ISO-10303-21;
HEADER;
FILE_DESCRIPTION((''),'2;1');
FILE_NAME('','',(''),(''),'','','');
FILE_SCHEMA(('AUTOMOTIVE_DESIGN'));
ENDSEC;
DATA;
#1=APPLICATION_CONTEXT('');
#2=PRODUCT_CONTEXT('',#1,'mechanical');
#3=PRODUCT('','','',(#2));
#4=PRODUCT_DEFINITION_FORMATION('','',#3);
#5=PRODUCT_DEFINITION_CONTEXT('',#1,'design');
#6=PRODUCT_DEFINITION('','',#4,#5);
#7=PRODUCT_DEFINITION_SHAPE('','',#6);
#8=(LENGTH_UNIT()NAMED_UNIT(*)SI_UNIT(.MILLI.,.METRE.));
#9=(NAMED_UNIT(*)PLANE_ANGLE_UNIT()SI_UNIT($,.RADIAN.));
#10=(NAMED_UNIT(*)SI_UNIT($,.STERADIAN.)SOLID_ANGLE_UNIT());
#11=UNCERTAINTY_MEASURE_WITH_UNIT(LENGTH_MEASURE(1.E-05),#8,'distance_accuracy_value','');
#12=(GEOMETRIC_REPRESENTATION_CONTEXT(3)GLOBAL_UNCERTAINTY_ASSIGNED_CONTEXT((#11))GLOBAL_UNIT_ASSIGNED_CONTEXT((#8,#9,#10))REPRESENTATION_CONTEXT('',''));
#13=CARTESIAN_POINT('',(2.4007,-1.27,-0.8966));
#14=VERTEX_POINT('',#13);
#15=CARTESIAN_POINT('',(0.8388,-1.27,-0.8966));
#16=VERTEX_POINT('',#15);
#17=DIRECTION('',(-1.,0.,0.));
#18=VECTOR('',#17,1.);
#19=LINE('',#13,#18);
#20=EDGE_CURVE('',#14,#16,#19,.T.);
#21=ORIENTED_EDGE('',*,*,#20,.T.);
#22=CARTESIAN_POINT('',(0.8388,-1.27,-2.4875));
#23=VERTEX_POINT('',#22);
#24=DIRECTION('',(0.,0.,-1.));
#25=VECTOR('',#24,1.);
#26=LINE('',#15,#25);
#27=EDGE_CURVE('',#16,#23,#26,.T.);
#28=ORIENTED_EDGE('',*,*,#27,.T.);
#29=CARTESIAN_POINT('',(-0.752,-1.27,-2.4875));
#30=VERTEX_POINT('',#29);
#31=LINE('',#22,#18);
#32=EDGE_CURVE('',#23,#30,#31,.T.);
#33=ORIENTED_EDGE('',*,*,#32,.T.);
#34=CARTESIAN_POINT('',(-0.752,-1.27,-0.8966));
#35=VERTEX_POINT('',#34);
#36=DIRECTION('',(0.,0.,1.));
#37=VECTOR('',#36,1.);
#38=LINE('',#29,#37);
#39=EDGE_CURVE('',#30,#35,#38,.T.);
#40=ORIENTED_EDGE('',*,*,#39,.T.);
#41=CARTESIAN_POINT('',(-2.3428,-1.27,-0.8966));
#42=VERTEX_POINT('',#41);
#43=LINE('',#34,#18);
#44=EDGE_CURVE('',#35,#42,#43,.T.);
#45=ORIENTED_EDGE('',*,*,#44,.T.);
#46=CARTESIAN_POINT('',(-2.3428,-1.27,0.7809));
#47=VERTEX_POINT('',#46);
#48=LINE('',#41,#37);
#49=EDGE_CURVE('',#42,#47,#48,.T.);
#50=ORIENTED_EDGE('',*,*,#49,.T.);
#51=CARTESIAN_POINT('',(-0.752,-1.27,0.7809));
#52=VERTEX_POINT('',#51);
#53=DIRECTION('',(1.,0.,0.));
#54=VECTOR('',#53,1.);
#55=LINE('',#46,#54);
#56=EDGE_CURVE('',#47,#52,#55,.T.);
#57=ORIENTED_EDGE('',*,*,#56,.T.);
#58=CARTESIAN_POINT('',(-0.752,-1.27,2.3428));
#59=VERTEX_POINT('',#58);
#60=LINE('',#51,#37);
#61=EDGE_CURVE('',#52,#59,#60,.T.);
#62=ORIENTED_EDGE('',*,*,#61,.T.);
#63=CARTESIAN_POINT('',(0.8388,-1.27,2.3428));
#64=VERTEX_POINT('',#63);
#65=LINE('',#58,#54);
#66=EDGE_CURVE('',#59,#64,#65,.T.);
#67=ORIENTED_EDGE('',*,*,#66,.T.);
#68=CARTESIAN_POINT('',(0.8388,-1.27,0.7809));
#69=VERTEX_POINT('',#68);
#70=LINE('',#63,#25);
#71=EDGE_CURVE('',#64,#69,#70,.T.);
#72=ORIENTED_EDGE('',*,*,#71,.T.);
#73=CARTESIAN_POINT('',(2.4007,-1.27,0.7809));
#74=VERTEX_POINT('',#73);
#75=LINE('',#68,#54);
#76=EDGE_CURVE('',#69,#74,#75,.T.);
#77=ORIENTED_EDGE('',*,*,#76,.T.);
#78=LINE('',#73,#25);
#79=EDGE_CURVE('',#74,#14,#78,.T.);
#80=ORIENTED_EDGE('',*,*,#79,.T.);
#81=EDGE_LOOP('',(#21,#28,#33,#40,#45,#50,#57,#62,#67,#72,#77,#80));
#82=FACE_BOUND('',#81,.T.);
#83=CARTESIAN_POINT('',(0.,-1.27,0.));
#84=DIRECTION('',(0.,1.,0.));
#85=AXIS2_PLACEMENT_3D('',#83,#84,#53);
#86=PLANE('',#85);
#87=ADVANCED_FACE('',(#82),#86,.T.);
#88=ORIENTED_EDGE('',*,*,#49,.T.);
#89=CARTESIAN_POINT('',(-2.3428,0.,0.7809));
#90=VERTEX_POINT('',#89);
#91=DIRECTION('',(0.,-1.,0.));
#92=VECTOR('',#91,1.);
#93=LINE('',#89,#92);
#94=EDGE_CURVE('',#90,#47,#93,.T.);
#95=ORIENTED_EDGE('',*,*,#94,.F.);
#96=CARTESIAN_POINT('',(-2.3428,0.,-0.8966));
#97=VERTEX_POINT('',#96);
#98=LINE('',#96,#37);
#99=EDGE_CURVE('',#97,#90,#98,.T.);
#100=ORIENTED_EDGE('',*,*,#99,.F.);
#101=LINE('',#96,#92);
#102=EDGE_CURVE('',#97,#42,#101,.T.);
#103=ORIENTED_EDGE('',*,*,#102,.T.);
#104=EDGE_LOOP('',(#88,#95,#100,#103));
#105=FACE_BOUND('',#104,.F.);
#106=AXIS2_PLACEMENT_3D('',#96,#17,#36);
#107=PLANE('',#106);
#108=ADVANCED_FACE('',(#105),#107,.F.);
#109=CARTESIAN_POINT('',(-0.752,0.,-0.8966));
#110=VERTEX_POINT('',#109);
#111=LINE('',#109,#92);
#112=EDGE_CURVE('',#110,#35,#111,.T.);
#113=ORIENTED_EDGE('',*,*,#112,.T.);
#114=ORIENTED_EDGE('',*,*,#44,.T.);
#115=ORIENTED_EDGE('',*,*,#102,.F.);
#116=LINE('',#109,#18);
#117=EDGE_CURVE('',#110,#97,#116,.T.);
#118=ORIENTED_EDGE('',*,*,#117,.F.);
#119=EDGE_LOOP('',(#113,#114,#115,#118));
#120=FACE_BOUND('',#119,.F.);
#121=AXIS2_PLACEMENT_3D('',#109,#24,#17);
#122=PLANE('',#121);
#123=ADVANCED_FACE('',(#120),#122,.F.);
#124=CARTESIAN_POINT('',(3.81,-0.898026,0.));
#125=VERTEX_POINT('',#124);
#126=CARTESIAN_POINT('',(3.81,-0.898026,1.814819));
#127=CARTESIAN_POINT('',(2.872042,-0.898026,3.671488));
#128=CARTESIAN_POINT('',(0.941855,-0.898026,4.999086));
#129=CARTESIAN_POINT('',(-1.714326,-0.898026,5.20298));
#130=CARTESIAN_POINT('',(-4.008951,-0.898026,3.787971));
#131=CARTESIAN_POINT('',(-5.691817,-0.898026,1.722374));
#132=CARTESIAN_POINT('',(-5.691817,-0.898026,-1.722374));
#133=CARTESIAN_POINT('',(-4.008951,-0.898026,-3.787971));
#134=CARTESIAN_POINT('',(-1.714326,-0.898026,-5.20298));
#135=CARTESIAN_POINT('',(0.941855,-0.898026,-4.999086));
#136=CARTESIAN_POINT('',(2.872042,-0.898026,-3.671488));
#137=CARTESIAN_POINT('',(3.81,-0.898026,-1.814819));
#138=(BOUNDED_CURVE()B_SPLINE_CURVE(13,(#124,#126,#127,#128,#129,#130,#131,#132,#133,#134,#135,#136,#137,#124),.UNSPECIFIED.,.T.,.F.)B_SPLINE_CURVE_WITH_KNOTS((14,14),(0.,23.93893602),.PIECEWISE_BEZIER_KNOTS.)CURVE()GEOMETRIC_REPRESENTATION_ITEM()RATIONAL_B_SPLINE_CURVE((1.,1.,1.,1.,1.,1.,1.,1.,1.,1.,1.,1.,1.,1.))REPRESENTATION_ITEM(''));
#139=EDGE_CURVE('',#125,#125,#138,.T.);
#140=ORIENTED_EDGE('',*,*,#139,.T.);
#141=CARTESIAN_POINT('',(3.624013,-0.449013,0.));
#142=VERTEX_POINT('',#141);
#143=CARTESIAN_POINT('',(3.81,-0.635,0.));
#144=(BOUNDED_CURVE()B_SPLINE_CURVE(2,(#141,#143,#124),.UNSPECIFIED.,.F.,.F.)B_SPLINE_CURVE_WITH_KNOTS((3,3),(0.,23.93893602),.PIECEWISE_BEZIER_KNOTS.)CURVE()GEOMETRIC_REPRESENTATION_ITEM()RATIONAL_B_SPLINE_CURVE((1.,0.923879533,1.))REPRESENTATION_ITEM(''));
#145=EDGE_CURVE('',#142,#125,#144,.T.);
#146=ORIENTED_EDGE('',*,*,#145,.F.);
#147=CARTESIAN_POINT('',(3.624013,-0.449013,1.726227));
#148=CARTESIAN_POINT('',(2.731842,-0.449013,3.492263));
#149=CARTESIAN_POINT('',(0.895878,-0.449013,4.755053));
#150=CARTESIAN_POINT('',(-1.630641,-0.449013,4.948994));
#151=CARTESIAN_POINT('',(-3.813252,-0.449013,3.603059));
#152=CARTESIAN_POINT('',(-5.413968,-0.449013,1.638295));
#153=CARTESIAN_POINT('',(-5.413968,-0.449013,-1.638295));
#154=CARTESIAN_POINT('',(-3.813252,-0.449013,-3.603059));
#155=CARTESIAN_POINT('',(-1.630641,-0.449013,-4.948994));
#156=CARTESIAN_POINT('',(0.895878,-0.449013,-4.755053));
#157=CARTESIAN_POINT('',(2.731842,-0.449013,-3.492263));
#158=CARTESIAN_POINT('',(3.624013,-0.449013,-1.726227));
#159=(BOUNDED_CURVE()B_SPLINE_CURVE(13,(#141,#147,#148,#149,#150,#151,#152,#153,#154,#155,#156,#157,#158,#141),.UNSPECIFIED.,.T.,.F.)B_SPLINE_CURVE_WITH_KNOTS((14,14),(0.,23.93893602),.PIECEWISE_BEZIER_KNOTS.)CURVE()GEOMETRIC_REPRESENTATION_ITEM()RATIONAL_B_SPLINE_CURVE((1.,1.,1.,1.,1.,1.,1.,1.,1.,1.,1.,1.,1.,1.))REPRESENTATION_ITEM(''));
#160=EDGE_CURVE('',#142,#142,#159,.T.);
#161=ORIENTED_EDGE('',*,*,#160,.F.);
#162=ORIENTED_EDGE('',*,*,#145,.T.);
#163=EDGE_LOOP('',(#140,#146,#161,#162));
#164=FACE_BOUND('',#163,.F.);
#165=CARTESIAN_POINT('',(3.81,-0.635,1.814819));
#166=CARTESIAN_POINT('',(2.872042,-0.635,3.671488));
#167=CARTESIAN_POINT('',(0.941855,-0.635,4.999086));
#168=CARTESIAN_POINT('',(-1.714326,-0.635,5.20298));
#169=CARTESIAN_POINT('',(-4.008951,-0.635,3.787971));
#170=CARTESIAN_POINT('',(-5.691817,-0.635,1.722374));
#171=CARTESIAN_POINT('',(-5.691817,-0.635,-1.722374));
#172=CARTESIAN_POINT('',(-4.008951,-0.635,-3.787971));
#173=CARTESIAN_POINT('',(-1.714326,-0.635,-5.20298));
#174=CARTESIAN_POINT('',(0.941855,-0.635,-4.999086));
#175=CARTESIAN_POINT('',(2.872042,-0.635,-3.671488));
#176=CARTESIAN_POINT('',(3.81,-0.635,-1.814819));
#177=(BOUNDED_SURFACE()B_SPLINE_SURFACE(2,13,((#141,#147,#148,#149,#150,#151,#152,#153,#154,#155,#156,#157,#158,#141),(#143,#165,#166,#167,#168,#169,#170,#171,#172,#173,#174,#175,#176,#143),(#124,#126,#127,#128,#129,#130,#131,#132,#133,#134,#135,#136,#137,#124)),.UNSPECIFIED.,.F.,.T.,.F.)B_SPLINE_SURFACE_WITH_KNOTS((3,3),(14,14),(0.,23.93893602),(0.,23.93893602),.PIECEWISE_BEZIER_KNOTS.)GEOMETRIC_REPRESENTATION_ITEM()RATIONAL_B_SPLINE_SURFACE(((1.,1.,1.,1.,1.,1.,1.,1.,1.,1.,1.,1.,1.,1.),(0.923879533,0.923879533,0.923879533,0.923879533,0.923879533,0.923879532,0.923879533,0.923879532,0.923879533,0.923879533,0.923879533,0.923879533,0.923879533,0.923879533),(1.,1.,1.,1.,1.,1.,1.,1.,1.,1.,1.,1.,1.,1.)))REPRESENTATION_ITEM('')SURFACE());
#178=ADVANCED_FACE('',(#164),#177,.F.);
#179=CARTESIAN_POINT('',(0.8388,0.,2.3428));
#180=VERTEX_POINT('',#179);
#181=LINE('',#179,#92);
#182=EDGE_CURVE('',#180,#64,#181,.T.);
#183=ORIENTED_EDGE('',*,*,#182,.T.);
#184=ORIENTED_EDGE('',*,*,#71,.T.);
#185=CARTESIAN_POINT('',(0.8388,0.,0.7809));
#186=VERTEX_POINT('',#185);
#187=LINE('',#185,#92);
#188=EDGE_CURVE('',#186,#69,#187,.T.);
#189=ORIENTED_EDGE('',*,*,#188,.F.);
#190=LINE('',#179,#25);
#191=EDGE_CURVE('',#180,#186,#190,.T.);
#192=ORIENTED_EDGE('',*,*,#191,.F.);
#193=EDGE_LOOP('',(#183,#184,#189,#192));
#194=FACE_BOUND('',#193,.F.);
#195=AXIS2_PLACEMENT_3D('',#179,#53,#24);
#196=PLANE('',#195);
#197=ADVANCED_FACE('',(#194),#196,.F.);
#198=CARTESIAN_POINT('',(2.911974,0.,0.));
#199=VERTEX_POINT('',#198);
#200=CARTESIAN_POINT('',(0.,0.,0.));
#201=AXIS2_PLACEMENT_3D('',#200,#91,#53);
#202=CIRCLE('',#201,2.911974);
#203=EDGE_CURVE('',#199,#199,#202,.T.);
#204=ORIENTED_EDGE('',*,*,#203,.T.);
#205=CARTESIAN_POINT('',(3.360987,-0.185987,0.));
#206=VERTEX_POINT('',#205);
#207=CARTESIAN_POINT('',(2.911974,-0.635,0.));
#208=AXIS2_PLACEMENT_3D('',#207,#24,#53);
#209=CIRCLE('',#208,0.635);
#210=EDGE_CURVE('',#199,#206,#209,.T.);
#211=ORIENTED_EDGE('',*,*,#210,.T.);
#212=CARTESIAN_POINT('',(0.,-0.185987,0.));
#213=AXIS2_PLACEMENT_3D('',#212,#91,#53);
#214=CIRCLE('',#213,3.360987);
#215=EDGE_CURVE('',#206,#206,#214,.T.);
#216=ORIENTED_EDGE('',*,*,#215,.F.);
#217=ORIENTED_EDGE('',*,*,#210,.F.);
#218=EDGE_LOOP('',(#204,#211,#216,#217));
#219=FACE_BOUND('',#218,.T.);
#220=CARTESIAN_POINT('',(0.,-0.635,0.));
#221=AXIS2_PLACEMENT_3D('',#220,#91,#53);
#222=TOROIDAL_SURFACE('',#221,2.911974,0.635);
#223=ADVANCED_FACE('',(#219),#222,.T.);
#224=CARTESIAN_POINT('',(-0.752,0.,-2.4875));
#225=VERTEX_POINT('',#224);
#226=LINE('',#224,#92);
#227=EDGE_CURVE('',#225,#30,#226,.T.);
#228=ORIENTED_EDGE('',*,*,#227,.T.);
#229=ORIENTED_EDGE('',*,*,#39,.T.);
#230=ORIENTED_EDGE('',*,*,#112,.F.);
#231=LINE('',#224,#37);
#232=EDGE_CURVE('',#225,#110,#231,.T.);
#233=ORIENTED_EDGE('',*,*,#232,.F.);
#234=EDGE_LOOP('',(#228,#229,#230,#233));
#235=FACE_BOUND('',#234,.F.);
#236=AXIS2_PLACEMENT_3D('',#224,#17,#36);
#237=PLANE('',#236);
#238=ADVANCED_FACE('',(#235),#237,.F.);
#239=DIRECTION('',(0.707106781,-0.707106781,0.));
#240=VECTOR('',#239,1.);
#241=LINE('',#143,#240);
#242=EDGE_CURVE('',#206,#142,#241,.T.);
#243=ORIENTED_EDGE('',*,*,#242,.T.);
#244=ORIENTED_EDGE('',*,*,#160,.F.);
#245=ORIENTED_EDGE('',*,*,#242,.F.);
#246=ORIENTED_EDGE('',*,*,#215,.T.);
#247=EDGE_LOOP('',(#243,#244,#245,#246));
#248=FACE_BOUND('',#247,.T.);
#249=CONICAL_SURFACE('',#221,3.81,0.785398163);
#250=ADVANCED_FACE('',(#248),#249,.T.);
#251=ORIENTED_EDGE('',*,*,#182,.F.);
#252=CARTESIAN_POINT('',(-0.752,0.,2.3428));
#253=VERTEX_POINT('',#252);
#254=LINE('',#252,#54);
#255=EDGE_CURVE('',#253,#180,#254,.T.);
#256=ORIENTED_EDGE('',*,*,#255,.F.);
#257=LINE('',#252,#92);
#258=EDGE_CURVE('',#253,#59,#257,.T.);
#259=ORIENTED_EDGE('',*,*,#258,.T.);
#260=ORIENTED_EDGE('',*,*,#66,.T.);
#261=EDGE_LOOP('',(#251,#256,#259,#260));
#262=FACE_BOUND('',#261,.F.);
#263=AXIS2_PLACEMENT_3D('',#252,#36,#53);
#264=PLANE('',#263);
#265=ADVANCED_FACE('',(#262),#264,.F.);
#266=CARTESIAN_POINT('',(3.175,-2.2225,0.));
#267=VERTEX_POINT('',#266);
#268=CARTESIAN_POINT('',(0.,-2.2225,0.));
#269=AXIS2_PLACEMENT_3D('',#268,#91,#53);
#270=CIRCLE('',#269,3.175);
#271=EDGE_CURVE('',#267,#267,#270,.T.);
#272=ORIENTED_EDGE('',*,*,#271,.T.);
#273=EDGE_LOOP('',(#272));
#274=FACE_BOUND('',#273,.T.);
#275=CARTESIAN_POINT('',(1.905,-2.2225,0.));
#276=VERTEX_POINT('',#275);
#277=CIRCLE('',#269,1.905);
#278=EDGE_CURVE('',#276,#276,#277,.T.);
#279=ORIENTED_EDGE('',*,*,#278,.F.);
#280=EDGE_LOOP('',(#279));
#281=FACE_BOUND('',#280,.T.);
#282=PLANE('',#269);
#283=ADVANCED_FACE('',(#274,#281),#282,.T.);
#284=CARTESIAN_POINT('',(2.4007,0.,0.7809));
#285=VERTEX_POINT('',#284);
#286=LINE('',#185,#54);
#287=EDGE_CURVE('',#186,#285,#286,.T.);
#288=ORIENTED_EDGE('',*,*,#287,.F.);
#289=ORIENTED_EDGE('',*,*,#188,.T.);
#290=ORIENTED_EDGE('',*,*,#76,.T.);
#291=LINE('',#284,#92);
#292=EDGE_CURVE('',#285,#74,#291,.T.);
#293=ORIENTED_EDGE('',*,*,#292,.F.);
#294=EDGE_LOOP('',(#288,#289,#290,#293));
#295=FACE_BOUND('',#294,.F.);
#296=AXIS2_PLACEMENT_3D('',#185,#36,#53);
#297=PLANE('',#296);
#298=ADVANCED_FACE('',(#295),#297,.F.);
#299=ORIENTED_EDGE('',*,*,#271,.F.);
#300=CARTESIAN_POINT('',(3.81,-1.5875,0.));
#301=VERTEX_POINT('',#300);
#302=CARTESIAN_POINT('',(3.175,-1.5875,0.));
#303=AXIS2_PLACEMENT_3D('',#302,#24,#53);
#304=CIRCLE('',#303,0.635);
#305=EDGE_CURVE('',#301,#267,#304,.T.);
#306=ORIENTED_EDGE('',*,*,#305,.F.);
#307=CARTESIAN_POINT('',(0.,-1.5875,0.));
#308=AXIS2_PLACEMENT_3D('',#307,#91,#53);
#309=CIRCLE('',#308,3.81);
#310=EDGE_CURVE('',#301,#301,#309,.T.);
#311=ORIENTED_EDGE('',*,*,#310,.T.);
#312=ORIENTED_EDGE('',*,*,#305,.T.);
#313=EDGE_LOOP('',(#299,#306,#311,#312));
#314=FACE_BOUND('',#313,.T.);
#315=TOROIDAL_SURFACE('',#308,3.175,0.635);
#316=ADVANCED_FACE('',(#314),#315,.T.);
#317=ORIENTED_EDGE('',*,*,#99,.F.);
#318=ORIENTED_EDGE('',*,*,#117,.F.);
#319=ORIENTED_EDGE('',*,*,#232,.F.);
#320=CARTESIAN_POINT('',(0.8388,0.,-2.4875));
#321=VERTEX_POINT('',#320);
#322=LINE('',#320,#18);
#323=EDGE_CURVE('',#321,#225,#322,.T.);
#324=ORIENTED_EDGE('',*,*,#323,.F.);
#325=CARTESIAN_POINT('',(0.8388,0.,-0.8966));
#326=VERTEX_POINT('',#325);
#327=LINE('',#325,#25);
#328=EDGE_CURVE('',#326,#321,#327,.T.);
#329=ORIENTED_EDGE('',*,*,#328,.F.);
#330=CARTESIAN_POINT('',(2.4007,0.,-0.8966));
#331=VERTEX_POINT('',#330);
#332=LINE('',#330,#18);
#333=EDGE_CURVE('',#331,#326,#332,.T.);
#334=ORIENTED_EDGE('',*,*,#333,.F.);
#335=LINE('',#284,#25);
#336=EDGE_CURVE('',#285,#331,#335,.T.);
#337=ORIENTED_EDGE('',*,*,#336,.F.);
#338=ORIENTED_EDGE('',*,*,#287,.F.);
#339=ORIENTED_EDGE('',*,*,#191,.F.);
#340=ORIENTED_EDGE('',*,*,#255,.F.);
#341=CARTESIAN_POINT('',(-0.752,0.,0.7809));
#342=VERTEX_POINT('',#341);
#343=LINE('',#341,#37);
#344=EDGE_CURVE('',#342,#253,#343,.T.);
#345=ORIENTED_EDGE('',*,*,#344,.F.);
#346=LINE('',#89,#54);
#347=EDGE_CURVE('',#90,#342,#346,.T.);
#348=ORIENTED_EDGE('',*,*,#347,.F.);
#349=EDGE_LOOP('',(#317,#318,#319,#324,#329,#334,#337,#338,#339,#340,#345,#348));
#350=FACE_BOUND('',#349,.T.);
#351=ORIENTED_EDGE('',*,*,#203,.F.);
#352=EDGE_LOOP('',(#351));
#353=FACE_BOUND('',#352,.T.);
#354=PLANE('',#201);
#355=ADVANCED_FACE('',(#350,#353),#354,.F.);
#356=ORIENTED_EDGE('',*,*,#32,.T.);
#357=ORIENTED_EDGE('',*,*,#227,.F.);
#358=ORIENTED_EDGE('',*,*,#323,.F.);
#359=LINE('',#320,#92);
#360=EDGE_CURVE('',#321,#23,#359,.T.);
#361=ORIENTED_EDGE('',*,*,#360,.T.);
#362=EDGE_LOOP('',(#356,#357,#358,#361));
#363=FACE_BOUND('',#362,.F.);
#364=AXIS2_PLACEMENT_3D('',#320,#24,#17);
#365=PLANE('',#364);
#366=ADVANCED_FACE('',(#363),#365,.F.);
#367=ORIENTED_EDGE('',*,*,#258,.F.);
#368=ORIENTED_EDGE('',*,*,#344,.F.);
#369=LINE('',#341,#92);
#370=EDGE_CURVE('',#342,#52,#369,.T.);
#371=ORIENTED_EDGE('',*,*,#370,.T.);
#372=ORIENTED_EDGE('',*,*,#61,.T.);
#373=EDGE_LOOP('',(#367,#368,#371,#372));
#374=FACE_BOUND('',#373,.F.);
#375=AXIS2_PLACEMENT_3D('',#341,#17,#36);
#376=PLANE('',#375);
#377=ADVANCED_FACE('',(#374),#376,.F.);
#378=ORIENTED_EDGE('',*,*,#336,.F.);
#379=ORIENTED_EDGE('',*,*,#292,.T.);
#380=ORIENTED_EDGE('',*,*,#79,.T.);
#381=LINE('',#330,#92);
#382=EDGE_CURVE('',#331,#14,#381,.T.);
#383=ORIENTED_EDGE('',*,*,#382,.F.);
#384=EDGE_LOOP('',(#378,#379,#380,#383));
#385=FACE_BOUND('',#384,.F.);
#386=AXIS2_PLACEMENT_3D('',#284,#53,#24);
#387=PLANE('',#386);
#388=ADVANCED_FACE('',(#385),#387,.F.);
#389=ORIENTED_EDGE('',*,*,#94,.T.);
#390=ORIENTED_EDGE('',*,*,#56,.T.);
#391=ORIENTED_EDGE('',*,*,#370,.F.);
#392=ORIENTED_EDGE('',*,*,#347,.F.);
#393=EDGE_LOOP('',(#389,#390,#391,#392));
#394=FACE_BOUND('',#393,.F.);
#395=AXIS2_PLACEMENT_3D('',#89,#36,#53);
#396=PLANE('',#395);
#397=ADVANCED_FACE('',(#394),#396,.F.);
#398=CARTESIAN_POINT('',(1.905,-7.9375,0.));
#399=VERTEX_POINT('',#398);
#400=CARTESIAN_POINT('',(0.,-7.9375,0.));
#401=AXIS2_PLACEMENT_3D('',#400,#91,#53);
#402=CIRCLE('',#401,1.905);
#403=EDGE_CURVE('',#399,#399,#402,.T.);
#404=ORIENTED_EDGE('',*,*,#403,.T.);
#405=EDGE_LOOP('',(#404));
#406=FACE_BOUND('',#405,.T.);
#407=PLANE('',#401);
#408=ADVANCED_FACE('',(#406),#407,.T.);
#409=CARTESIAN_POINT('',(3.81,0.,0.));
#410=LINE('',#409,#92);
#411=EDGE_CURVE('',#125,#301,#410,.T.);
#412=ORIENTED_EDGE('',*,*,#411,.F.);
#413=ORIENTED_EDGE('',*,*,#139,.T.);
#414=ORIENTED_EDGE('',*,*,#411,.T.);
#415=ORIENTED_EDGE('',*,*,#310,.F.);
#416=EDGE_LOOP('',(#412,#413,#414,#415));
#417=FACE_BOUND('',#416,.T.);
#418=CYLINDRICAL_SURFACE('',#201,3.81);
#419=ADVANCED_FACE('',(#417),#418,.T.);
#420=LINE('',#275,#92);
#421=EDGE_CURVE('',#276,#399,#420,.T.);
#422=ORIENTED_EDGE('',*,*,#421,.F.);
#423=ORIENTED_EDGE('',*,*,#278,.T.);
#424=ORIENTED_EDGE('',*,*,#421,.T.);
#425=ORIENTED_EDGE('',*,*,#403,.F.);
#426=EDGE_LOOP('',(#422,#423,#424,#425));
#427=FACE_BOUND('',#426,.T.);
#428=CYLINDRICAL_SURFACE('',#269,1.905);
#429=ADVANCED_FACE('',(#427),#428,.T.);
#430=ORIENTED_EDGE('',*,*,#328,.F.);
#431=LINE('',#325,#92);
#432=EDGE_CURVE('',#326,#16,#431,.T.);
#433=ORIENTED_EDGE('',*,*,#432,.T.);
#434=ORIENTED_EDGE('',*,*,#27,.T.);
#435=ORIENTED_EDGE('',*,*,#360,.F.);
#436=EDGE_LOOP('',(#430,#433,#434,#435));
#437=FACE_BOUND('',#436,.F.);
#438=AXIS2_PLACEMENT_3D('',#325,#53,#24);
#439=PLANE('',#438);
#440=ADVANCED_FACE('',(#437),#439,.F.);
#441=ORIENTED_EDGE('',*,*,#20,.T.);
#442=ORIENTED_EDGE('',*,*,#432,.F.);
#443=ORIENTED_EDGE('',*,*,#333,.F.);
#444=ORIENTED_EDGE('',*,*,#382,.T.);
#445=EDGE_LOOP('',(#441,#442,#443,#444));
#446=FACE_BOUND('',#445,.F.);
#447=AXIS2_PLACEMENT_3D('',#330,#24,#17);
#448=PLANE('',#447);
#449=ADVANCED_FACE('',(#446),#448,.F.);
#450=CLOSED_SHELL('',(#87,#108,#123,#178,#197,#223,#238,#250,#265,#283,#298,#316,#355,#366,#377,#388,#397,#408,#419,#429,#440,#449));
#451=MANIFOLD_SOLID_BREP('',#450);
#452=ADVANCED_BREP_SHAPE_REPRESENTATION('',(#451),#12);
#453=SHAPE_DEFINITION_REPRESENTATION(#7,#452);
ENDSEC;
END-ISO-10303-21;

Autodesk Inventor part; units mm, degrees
ref_plane "YZ Plane" through (0, 0, 0) normal (1, 0, 0) x (0, 1, 0)
ref_plane "XZ Plane" through (0, 0, 0) normal (0, 1, 0) x (-1, 0, 0)
ref_plane "XY Plane" through (0, 0, 0) normal (0, 0, 1) x (1, 0, 0)
sketch "Sketch1" plane through (0, 0, 0) normal (0, 0, 1) x (1, 0, 0)
  line L0 (0, 0) -> (3.81, 0)
  line L1 (3.81, 0) -> (3.81, -2.2225)
  line L2 (3.81, -2.2225) -> (1.905, -2.2225)
  line L3 (1.905, -2.2225) -> (1.905, -7.9375)
  line L4 (1.905, -7.9375) -> (0, -7.9375)
  line L5 (0, -7.9375) -> (0, 0)
  line L6 (0, 0) -> (0, -14.1407)
  dimension "d0" = 3.81
  dimension "d1" = 2.2225
  dimension "d2" = 1.905
  dimension "d3" = 5.715
  dimension "d4" = 90
revolve "Revolution1" add sketch "Sketch1" angle 360 about axis through (0, 0, 0) along (0, -1, 0)
chamfer "Chamfer1" distance 0.635 angle 45 1 edges at (-3.81, 0, 0)
fillet "Fillet1" radius 0.635 3 edges at (-3.175, 0, 0) (-3.81, -0.635, 0) (-3.81, -2.2225, 0)
thread "Thread1" size "8-32 UNC" class "2A" standard "ANSI Unified Screw Threads" full length
sketch "Sketch2" plane through (0, 0, 0) normal (0, 1, 0) x (1, 0, 0)
  line L0 (-0.752, -2.3428) -> (0.8388, -2.3428)
  line L1 (0.8388, 2.4875) -> (-0.752, 2.4875)
  line L2 (2.4007, -0.7809) -> (2.4007, 0.8966)
  line L3 (-2.3428, 0.8966) -> (-2.3428, -0.7809)
  line L4 (-2.3428, -0.7809) -> (-0.752, -0.7809)
  line L5 (0.8388, -0.7809) -> (2.4007, -0.7809)
  line L6 (2.4007, 0.8966) -> (0.8388, 0.8966)
  line L7 (-0.752, 0.8966) -> (-2.3428, 0.8966)
  line L8 (-0.752, 2.4875) -> (-0.752, 0.8966)
  line L9 (-0.752, -0.7809) -> (-0.752, -2.3428)
  line L10 (0.8388, -2.3428) -> (0.8388, -0.7809)
  line L11 (0.8388, 0.8966) -> (0.8388, 2.4875)
  point P0 (0, 0)
extrude "Extrusion1" cut sketch "Sketch2" against normal blind 1.27
properties part number "sqrew base" material "Aluminum 6061"
